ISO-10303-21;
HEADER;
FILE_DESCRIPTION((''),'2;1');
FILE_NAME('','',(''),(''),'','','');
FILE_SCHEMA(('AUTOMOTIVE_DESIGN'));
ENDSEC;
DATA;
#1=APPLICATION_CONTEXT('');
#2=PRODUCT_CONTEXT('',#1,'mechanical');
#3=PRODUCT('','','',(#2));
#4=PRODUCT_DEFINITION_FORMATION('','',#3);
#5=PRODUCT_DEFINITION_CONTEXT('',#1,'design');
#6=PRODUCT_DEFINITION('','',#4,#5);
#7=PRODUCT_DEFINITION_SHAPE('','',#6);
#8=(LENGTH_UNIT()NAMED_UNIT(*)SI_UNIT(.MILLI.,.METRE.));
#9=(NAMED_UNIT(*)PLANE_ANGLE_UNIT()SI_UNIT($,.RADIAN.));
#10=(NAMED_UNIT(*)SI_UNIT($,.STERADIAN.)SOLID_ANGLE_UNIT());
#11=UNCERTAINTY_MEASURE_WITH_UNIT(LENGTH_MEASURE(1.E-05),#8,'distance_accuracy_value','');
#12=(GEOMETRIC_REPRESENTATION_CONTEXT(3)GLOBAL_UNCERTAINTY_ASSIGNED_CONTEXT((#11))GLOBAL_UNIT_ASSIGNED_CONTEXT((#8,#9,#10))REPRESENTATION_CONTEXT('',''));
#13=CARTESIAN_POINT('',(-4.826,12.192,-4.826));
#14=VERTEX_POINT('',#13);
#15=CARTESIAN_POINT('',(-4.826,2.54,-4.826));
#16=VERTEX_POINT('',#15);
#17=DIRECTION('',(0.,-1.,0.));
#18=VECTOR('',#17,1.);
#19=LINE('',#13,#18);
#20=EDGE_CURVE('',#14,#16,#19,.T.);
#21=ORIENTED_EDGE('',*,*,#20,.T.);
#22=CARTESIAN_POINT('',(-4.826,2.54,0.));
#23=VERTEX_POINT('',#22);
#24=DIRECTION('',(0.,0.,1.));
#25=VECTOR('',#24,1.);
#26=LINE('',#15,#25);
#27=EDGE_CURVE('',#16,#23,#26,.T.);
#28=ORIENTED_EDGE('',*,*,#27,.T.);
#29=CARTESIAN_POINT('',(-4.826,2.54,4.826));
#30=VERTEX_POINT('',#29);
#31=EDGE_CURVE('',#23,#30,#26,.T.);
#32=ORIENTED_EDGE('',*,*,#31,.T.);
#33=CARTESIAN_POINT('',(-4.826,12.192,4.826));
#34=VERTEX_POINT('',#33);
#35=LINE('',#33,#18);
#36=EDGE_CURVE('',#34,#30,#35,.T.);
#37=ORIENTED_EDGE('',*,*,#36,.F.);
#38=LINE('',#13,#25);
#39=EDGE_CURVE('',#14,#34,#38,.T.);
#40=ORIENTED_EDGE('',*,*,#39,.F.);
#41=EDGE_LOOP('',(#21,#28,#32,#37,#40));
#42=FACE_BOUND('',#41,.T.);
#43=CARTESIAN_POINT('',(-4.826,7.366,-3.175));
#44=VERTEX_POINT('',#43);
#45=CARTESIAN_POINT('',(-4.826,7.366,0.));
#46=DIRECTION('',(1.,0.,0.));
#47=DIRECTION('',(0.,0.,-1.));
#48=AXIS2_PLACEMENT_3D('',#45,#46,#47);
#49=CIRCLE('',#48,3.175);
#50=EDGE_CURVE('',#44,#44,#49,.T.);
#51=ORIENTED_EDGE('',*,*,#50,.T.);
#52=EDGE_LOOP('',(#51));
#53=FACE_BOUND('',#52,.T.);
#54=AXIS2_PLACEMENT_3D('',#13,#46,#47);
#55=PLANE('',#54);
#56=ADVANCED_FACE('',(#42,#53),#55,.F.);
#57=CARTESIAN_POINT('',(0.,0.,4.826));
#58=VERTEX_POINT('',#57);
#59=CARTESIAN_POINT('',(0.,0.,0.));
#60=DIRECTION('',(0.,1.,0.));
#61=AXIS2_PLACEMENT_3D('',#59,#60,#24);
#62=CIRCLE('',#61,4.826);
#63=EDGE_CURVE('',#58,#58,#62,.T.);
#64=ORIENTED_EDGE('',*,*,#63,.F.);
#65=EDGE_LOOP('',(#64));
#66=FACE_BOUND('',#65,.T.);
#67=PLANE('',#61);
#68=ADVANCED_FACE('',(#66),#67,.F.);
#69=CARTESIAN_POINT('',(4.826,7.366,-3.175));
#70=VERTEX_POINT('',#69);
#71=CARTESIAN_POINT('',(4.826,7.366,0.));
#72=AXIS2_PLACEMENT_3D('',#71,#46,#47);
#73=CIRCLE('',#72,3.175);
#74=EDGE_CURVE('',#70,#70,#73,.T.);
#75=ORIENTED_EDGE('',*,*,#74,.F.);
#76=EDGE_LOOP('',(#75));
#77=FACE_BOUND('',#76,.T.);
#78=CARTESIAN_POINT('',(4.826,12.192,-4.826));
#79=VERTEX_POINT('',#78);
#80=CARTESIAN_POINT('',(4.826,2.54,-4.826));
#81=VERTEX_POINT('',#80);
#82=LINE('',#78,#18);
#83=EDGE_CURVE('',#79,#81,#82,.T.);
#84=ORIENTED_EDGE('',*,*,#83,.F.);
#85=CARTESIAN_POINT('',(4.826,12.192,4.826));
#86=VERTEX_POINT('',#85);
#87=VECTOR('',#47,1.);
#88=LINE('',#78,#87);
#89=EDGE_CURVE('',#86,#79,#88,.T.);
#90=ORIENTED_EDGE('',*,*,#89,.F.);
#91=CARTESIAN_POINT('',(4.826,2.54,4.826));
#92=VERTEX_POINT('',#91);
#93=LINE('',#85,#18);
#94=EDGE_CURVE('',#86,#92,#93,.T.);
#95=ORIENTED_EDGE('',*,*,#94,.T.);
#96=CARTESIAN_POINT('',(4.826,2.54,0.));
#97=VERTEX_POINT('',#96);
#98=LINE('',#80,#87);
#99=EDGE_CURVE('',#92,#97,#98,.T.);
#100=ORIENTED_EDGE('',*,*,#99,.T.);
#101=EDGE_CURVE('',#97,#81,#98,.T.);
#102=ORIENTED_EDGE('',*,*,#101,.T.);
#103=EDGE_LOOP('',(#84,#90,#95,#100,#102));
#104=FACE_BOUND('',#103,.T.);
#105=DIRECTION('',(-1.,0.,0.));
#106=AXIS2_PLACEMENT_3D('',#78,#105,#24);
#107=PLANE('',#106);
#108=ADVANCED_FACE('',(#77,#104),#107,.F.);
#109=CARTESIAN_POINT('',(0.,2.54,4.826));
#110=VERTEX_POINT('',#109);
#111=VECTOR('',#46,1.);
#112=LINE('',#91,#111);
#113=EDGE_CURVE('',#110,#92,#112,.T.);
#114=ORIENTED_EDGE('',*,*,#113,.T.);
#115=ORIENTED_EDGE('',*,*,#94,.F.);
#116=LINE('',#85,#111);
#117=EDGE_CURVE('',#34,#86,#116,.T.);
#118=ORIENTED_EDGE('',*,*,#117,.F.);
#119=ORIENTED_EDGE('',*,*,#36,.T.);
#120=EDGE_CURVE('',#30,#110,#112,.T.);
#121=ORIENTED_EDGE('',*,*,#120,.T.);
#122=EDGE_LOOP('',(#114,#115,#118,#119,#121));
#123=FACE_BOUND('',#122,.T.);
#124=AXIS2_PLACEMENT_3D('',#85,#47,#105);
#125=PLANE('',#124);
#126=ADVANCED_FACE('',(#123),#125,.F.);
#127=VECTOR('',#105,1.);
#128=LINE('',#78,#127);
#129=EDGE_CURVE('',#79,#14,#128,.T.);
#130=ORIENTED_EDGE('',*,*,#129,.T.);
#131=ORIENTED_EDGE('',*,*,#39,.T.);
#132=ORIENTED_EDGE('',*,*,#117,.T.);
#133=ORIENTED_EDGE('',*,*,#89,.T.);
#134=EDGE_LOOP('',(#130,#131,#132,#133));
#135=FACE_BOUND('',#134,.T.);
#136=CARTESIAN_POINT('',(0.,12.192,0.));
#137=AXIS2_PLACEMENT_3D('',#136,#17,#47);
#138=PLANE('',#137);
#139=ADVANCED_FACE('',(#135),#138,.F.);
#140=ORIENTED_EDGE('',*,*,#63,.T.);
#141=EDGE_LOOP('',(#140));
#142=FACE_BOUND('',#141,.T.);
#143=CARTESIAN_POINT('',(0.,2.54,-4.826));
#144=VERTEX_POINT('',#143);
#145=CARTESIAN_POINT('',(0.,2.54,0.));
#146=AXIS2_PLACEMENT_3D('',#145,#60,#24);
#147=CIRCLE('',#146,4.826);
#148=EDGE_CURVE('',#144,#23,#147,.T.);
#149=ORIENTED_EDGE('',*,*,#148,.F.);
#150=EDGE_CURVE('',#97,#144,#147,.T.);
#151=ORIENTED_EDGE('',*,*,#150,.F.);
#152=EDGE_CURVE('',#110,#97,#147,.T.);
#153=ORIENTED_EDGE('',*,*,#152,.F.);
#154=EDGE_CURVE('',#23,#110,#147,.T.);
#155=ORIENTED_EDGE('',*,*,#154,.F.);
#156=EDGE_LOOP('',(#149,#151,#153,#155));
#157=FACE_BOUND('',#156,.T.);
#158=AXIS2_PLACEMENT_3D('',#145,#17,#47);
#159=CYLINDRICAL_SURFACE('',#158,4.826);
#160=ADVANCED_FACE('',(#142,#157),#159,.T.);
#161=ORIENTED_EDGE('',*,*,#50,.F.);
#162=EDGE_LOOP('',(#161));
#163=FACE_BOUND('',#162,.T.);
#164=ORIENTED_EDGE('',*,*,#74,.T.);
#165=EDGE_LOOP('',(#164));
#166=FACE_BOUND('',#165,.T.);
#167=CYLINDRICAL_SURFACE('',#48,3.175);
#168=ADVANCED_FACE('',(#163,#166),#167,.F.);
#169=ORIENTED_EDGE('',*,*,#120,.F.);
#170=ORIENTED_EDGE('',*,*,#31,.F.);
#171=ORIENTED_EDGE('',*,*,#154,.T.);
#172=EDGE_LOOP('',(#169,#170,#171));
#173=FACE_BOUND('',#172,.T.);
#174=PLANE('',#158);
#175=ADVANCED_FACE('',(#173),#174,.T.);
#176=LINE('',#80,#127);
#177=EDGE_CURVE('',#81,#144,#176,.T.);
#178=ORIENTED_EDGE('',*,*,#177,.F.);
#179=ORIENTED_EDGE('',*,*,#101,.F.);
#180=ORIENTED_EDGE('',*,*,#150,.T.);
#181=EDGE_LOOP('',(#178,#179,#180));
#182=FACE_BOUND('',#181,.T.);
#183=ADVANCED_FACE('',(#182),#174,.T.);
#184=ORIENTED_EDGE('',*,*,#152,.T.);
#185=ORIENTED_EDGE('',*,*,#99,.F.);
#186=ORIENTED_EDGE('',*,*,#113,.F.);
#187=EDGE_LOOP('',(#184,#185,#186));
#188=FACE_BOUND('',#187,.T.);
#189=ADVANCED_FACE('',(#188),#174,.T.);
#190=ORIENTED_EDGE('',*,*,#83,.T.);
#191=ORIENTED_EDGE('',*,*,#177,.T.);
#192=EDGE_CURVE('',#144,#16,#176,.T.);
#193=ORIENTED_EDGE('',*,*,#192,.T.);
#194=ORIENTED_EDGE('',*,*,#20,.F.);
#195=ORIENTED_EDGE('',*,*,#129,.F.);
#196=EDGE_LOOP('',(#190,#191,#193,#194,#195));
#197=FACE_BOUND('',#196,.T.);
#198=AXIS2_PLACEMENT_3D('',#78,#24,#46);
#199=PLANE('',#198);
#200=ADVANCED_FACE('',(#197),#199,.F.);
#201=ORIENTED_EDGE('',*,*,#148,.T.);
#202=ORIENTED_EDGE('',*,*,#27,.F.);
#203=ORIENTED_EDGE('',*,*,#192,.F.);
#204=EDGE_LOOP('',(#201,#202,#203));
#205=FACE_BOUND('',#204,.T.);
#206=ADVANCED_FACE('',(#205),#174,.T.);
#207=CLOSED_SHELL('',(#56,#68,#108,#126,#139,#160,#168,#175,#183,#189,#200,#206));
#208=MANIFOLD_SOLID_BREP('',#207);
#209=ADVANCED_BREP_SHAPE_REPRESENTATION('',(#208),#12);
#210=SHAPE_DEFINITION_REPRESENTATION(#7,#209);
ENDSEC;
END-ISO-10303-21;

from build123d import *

# Parameters (mm, degrees)
SKETCH1_R           = 4.826
BOSS_EXTRUDE1_DEPTH = 2.54
SKETCH2_W           = 9.652
SKETCH2_H           = 9.652
BOSS_EXTRUDE2_DEPTH = 9.652
SKETCH3_R           = 3.175
CUT_EXTRUDE1_DEPTH  = 9.652


with BuildPart() as part:
    # Sketch1 → Boss-Extrude1 (new body)
    with BuildSketch(Plane(origin=(0, 0, 0), x_dir=(1, 0, 0), z_dir=(0, 1, 0))):
        Circle(SKETCH1_R)
    extrude(amount=BOSS_EXTRUDE1_DEPTH)

    # Sketch2 → Boss-Extrude2 (add)
    with BuildSketch(Plane(origin=(0, 2.54, 0), x_dir=(1, 0, 0), z_dir=(0, 1, 0))):
        Rectangle(SKETCH2_W, SKETCH2_H)
    extrude(amount=BOSS_EXTRUDE2_DEPTH)

    # Sketch3 → Cut-Extrude1 (cut)
    with BuildSketch(Plane(origin=(4.826, 0, 0), x_dir=(0, 0, -1), z_dir=(1, 0, 0))):
        with Locations((0, 7.366)):
            Circle(SKETCH3_R)
    extrude(amount=-CUT_EXTRUDE1_DEPTH, mode=Mode.SUBTRACT)


solid = part.part
